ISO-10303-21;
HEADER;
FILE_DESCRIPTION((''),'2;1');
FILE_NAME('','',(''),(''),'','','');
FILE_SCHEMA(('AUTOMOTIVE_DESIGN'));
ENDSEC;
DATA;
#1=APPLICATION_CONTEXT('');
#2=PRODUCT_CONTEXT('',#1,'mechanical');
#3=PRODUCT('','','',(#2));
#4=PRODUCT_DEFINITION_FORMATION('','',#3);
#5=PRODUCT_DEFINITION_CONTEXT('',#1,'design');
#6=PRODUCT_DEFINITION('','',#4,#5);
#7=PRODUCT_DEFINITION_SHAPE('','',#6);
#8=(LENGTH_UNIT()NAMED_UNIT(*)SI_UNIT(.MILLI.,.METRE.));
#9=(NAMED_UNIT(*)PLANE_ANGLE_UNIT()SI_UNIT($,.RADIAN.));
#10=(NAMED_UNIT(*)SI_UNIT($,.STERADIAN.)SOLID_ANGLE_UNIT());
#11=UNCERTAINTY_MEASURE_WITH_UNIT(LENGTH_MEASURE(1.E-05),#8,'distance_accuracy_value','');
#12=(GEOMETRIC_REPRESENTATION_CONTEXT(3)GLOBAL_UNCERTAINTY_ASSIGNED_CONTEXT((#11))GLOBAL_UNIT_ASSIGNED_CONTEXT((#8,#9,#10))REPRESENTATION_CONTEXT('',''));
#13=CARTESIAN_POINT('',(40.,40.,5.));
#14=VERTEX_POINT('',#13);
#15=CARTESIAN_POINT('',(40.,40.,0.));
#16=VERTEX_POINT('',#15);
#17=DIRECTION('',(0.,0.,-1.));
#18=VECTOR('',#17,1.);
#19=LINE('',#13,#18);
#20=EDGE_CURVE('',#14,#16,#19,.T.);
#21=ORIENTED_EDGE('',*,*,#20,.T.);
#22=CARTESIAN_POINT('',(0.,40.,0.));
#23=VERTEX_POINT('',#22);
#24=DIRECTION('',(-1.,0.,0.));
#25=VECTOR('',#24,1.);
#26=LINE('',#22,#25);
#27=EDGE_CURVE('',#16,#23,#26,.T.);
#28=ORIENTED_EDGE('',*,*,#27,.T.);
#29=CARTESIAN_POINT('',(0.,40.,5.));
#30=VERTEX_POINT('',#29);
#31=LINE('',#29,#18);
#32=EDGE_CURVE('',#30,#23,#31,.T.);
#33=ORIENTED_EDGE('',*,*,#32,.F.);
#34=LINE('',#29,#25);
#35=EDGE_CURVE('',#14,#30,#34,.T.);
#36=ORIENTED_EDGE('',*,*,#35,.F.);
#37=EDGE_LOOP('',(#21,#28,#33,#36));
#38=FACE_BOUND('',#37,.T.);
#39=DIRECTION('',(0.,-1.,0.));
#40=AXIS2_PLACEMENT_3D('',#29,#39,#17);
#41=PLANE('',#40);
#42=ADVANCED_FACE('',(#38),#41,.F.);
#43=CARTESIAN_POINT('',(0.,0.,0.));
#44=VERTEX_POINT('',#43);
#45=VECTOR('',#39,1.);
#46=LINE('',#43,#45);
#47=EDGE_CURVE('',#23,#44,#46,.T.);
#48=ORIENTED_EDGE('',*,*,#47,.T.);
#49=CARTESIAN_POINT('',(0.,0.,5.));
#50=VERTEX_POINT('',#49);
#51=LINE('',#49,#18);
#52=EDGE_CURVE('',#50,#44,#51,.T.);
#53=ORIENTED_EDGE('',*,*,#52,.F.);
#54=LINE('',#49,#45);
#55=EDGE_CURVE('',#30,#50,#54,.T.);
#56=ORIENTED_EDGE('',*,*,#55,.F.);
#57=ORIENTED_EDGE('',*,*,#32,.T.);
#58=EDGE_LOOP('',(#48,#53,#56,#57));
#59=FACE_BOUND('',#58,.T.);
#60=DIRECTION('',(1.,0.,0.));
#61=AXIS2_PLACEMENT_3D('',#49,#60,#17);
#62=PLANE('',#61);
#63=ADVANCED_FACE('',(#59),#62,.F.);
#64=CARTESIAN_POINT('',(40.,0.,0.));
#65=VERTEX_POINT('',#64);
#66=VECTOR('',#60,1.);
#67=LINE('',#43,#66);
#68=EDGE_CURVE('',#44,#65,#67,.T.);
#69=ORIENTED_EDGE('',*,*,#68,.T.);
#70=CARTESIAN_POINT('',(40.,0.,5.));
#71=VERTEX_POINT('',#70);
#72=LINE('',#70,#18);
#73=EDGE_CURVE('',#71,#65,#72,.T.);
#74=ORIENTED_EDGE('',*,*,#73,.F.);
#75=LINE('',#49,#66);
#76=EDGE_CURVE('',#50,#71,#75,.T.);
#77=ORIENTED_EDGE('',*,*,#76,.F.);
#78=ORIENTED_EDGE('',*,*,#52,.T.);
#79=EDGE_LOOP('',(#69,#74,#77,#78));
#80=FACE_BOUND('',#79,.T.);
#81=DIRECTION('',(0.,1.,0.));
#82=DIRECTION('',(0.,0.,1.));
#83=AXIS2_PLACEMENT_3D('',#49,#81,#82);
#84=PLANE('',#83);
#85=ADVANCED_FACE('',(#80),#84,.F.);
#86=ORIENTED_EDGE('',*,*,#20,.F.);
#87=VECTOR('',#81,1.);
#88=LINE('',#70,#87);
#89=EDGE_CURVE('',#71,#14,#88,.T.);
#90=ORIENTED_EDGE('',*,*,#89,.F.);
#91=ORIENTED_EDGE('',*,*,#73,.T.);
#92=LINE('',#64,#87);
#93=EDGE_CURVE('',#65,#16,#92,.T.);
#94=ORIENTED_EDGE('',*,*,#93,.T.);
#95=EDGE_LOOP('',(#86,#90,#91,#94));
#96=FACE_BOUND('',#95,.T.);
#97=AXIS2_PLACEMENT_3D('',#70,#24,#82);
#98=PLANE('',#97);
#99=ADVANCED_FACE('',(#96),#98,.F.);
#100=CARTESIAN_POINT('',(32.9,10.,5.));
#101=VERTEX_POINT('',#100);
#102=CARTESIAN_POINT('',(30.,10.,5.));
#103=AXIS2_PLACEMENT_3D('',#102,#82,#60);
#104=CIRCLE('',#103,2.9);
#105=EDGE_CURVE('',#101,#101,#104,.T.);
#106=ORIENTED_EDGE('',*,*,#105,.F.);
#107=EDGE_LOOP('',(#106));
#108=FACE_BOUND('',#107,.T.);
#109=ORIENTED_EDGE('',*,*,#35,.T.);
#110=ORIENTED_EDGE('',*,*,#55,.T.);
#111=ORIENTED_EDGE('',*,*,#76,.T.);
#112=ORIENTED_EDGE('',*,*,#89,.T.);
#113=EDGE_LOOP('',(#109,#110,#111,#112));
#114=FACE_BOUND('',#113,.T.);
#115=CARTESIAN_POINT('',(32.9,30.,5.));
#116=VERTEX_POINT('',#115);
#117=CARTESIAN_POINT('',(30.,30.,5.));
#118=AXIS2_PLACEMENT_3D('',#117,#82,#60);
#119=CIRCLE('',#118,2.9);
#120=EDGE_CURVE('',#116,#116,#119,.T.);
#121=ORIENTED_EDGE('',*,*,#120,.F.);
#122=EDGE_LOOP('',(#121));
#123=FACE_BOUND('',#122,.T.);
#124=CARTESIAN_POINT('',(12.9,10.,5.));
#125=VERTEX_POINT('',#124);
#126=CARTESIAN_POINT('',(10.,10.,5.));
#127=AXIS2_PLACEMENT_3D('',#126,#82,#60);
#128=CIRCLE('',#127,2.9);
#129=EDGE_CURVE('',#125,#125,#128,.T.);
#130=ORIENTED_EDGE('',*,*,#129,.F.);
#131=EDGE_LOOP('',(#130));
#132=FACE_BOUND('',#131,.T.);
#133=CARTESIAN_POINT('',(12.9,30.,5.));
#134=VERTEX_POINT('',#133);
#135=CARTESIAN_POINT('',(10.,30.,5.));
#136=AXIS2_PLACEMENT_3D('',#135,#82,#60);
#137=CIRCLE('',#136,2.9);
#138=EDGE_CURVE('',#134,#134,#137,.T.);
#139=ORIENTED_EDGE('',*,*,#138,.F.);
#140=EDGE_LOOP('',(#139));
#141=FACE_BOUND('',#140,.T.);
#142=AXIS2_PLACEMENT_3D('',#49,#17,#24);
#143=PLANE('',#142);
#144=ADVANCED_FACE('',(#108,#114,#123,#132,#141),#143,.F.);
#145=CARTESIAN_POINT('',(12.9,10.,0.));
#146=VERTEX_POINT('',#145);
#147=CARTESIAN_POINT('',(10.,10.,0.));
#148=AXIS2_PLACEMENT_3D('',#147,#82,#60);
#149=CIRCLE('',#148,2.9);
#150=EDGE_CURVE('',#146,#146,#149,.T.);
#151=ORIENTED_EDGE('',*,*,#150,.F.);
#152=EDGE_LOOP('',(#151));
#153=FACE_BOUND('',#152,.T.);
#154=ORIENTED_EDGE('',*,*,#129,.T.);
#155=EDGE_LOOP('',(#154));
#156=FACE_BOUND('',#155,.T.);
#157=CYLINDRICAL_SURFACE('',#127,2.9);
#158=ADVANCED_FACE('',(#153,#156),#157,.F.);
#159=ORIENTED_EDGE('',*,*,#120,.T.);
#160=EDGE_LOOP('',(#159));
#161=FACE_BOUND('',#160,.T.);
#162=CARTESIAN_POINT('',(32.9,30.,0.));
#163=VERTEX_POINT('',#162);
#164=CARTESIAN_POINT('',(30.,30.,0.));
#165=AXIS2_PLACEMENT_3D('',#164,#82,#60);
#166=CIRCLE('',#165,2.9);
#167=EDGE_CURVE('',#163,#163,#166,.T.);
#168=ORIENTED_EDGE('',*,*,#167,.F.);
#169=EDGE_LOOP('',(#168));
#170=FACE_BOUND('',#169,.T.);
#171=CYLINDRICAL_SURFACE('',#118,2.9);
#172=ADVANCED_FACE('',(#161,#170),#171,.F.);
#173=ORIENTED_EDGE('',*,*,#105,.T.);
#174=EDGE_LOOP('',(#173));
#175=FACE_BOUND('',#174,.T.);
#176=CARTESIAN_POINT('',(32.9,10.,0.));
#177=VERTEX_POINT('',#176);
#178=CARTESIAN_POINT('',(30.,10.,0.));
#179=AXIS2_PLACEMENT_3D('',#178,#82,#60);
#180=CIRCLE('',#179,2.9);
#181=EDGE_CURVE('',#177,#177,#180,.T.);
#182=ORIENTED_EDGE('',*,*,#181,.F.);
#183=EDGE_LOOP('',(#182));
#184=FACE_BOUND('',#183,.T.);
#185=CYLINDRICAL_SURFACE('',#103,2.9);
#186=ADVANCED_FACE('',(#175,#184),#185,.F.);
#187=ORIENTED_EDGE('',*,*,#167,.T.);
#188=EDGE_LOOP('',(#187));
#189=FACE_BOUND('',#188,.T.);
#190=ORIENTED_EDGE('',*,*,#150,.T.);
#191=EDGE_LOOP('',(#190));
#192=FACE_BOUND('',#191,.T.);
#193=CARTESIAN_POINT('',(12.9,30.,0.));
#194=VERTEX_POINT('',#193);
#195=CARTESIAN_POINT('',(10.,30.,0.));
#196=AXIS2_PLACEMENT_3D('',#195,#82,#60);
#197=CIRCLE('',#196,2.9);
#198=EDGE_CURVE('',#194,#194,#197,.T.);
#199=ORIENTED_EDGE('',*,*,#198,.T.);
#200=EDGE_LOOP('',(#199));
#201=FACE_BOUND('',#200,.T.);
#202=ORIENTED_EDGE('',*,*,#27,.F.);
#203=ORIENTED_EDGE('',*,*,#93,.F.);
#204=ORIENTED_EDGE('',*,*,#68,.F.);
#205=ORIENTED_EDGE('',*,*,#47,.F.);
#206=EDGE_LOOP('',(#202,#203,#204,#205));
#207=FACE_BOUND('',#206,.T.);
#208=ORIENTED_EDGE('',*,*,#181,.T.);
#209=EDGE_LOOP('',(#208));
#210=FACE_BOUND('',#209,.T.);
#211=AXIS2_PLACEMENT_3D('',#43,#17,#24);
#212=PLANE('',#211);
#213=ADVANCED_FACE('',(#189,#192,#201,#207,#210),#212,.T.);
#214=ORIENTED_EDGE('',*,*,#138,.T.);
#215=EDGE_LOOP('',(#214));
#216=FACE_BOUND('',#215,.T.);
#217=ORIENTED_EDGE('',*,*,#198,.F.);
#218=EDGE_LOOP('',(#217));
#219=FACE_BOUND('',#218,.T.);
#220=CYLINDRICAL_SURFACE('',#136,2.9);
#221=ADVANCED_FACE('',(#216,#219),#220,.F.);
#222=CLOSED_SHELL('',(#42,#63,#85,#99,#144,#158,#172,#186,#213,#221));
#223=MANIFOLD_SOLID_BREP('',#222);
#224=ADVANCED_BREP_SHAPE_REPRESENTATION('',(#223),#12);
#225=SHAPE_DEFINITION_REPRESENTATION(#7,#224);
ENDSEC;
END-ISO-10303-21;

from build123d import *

# Parameters (mm, degrees)
SKETCH1_W            = 40
SKETCH1_H            = 40
BOSS_EXTRUDE1_DEPTH  = 5
M5_CLEARANCE_HOLE1_D = 5.8


with BuildPart() as part:
    # Sketch1 → Boss-Extrude1 (new body)
    with BuildSketch(Plane.XY):
        with Locations((20, 20)):
            Rectangle(SKETCH1_W, SKETCH1_H)
    extrude(amount=BOSS_EXTRUDE1_DEPTH)

    # M5 Clearance Hole1 (through all)
    with Locations(Plane.XY.offset(5)):
        with Locations((10, 30), (30, 30), (30, 10), (10, 10)):
            Hole(M5_CLEARANCE_HOLE1_D / 2)


solid = part.part
